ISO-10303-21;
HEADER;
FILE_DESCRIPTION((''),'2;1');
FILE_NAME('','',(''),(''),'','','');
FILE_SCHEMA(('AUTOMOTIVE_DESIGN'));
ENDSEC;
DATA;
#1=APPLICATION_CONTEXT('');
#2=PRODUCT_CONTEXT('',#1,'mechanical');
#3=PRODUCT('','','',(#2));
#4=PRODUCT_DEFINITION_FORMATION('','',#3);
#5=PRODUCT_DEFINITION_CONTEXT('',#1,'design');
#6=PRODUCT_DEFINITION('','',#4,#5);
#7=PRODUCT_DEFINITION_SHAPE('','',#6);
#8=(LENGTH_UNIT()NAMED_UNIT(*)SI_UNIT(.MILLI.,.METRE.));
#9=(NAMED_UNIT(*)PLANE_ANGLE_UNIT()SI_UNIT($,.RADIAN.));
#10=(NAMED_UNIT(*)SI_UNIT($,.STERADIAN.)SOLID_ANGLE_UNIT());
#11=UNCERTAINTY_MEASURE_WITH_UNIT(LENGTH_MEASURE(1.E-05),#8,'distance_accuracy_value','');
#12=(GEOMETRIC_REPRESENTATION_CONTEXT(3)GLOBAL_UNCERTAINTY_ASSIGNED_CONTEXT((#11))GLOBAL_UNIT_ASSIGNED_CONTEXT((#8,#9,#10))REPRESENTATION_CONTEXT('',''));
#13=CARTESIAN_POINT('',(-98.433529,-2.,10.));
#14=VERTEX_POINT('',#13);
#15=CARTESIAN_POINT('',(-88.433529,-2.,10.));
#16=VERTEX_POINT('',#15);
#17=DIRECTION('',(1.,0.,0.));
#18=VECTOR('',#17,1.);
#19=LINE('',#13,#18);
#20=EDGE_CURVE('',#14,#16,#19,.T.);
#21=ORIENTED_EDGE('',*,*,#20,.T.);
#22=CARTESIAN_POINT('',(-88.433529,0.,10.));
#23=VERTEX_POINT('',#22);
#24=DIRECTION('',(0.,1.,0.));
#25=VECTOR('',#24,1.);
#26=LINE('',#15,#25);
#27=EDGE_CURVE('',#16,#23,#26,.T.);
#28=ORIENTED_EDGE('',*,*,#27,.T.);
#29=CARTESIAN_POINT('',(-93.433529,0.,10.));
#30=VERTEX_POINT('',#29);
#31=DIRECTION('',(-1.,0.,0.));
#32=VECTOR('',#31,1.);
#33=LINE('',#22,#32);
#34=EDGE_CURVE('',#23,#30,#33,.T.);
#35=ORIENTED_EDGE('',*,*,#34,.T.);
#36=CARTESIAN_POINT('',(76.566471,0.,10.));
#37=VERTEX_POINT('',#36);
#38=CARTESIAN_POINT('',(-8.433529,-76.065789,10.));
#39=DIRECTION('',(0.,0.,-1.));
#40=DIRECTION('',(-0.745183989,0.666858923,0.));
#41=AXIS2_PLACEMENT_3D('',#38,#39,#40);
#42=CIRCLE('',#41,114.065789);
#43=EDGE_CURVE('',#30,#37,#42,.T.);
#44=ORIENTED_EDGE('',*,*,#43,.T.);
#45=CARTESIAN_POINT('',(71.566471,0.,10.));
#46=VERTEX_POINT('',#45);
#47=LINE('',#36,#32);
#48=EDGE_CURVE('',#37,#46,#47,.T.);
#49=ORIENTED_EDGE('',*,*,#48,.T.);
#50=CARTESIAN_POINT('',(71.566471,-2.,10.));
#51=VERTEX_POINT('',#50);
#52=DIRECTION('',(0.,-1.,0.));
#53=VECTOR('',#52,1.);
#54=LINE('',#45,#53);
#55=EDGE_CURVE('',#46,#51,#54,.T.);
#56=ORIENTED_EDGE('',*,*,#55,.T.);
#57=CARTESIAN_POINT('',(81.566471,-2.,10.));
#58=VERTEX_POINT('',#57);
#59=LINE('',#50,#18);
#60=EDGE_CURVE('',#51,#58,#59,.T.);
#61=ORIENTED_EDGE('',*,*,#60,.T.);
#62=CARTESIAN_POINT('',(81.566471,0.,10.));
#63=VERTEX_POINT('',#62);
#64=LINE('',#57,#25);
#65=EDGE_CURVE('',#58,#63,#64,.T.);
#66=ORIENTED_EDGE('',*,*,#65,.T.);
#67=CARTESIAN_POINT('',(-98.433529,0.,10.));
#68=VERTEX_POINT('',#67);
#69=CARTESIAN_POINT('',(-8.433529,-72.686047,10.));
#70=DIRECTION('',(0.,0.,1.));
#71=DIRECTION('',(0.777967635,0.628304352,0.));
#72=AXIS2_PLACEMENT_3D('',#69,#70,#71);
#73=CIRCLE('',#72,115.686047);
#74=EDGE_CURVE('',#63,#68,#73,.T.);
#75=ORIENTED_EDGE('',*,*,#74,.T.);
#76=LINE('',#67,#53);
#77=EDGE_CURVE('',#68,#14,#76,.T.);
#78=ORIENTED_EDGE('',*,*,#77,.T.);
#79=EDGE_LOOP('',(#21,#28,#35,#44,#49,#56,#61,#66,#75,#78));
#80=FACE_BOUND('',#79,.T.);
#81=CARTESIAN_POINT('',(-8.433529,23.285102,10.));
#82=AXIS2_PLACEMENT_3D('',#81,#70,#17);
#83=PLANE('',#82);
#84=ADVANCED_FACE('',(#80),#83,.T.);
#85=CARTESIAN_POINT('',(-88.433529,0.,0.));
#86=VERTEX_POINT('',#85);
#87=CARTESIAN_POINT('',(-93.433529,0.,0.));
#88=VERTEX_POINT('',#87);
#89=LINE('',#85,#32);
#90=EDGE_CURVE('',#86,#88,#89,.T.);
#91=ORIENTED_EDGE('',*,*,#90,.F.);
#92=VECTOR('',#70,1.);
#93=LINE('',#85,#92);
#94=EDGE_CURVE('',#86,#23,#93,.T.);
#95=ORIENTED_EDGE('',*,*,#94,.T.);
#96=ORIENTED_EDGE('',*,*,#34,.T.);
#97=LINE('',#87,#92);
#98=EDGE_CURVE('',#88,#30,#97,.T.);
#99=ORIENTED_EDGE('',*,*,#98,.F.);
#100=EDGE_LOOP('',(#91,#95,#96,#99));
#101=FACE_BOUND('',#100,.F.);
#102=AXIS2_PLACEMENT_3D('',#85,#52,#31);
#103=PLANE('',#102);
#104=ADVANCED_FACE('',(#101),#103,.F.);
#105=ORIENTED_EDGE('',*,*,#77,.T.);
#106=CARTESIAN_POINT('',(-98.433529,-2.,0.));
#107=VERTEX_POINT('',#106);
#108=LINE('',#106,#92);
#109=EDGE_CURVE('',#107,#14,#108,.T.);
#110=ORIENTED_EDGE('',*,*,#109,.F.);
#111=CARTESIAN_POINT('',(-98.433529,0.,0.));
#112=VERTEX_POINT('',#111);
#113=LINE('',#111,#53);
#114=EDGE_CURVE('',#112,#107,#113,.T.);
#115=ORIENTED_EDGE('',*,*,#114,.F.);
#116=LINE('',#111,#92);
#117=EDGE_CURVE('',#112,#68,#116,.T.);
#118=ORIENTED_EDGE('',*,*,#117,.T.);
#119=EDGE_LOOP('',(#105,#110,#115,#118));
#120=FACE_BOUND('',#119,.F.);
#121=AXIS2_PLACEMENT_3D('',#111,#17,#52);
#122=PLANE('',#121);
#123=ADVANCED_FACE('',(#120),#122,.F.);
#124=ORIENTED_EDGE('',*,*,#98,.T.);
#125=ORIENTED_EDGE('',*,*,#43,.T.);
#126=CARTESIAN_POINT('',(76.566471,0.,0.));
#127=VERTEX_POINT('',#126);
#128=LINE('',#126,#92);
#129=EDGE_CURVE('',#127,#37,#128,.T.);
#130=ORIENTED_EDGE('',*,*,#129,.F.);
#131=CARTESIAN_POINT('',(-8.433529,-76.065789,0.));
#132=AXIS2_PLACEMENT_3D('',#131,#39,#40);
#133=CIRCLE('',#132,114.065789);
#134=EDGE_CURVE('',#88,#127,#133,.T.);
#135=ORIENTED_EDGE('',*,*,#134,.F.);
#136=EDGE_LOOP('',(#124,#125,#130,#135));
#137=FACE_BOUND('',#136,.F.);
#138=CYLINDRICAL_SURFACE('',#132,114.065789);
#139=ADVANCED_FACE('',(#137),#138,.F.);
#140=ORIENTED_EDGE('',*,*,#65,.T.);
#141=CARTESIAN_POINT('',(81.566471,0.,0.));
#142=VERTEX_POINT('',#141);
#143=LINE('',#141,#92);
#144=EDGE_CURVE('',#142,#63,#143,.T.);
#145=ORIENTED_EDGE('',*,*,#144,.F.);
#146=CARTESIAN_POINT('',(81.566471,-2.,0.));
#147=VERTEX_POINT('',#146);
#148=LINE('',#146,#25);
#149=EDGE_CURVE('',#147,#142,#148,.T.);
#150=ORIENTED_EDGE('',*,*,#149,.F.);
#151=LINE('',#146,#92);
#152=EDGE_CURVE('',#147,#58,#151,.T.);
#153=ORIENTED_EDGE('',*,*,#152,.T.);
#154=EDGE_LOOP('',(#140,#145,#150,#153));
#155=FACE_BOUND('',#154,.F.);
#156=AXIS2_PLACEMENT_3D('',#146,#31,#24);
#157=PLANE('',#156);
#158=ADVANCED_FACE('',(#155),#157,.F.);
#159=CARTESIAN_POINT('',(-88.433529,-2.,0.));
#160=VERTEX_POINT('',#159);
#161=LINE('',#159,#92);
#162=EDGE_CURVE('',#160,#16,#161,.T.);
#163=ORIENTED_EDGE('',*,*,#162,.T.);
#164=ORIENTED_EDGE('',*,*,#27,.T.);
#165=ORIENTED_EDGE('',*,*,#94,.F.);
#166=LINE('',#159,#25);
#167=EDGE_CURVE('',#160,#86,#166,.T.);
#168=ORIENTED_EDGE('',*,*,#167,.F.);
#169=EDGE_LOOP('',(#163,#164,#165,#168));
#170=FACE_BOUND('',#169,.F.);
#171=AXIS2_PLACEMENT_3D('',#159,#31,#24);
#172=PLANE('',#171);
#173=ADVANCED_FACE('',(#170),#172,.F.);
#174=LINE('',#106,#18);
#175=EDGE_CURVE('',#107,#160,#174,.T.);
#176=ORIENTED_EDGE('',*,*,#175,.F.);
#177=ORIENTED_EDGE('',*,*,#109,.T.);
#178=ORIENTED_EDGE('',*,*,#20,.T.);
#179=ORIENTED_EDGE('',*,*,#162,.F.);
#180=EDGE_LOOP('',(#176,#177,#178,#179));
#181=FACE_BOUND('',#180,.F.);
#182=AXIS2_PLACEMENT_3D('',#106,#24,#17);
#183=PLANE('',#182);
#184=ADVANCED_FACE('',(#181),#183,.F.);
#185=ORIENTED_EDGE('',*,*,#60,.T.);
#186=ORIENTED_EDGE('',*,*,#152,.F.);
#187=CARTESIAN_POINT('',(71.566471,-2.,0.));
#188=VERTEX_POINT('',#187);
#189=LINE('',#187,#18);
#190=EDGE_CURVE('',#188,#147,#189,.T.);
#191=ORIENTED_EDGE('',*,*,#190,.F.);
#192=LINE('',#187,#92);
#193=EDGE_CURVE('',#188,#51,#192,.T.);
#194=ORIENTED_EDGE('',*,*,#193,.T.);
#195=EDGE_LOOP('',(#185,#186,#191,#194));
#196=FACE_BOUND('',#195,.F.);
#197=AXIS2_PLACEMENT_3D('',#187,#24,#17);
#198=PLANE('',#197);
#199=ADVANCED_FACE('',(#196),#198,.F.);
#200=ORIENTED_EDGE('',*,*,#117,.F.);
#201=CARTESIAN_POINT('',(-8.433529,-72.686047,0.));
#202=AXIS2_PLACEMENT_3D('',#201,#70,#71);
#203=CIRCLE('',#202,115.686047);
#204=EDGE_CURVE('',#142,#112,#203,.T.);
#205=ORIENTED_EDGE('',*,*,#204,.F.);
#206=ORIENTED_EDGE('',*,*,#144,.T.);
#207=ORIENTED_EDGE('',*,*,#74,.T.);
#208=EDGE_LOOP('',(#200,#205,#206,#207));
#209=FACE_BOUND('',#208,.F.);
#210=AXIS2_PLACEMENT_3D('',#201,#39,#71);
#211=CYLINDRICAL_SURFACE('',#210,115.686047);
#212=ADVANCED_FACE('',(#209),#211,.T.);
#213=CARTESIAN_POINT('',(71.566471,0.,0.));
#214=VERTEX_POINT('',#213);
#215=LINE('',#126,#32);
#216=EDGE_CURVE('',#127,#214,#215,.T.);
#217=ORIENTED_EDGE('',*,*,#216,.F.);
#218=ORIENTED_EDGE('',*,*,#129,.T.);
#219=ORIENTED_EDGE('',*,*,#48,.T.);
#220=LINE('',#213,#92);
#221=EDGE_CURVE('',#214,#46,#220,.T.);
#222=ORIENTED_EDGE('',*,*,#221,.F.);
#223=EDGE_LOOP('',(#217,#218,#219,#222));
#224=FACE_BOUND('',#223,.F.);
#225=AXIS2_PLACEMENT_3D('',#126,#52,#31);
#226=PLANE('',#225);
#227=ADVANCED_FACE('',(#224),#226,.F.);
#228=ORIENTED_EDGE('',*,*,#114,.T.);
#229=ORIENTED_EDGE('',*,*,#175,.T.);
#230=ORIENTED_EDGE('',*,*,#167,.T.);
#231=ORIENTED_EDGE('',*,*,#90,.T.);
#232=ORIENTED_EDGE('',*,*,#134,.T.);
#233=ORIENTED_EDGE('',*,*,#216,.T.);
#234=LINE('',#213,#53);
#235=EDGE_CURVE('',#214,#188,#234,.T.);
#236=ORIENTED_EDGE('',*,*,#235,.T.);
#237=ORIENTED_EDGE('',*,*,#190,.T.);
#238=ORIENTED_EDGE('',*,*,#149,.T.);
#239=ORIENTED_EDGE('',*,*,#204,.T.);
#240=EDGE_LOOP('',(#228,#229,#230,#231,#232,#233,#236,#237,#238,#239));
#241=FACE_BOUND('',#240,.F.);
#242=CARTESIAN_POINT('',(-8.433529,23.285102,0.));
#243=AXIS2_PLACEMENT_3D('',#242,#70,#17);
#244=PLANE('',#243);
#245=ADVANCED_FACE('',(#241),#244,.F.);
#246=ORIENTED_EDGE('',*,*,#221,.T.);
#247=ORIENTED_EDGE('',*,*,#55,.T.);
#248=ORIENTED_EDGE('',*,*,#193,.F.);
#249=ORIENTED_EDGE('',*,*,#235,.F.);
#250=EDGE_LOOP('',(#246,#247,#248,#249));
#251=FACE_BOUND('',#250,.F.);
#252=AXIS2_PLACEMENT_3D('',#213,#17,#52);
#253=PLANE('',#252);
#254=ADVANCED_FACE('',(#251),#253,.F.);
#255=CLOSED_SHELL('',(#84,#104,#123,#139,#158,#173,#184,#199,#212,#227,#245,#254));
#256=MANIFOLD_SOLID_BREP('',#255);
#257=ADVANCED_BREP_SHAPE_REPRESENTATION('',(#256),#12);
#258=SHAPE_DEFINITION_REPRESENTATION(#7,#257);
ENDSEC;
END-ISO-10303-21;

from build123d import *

# Parameters (mm, degrees)
F1_DEPTH = 10


with BuildPart() as f1:
    # F0 (on Top) → F1 (new body)
    with BuildSketch(Plane.XY):
        with BuildLine():
            ThreePointArc((81.566471, 0), (-8.433529, 43), (-98.433529, 0))
            Line((-98.433529, 0), (-93.433529, 0))
            ThreePointArc((-93.433529, 0), (-8.433529, 38), (76.566471, 0))
            Line((76.566471, 0), (81.566471, 0))
        make_face()
        Polygon((-93.433529, 0), (-98.433529, 0), (-98.433529, -2), (-88.433529, -2), (-88.433529, 0), align=None)
        Polygon((81.566471, -2), (81.566471, 0), (76.566471, 0), (71.566471, 0), (71.566471, -2), align=None)
    extrude(amount=F1_DEPTH)


solid = f1.part
